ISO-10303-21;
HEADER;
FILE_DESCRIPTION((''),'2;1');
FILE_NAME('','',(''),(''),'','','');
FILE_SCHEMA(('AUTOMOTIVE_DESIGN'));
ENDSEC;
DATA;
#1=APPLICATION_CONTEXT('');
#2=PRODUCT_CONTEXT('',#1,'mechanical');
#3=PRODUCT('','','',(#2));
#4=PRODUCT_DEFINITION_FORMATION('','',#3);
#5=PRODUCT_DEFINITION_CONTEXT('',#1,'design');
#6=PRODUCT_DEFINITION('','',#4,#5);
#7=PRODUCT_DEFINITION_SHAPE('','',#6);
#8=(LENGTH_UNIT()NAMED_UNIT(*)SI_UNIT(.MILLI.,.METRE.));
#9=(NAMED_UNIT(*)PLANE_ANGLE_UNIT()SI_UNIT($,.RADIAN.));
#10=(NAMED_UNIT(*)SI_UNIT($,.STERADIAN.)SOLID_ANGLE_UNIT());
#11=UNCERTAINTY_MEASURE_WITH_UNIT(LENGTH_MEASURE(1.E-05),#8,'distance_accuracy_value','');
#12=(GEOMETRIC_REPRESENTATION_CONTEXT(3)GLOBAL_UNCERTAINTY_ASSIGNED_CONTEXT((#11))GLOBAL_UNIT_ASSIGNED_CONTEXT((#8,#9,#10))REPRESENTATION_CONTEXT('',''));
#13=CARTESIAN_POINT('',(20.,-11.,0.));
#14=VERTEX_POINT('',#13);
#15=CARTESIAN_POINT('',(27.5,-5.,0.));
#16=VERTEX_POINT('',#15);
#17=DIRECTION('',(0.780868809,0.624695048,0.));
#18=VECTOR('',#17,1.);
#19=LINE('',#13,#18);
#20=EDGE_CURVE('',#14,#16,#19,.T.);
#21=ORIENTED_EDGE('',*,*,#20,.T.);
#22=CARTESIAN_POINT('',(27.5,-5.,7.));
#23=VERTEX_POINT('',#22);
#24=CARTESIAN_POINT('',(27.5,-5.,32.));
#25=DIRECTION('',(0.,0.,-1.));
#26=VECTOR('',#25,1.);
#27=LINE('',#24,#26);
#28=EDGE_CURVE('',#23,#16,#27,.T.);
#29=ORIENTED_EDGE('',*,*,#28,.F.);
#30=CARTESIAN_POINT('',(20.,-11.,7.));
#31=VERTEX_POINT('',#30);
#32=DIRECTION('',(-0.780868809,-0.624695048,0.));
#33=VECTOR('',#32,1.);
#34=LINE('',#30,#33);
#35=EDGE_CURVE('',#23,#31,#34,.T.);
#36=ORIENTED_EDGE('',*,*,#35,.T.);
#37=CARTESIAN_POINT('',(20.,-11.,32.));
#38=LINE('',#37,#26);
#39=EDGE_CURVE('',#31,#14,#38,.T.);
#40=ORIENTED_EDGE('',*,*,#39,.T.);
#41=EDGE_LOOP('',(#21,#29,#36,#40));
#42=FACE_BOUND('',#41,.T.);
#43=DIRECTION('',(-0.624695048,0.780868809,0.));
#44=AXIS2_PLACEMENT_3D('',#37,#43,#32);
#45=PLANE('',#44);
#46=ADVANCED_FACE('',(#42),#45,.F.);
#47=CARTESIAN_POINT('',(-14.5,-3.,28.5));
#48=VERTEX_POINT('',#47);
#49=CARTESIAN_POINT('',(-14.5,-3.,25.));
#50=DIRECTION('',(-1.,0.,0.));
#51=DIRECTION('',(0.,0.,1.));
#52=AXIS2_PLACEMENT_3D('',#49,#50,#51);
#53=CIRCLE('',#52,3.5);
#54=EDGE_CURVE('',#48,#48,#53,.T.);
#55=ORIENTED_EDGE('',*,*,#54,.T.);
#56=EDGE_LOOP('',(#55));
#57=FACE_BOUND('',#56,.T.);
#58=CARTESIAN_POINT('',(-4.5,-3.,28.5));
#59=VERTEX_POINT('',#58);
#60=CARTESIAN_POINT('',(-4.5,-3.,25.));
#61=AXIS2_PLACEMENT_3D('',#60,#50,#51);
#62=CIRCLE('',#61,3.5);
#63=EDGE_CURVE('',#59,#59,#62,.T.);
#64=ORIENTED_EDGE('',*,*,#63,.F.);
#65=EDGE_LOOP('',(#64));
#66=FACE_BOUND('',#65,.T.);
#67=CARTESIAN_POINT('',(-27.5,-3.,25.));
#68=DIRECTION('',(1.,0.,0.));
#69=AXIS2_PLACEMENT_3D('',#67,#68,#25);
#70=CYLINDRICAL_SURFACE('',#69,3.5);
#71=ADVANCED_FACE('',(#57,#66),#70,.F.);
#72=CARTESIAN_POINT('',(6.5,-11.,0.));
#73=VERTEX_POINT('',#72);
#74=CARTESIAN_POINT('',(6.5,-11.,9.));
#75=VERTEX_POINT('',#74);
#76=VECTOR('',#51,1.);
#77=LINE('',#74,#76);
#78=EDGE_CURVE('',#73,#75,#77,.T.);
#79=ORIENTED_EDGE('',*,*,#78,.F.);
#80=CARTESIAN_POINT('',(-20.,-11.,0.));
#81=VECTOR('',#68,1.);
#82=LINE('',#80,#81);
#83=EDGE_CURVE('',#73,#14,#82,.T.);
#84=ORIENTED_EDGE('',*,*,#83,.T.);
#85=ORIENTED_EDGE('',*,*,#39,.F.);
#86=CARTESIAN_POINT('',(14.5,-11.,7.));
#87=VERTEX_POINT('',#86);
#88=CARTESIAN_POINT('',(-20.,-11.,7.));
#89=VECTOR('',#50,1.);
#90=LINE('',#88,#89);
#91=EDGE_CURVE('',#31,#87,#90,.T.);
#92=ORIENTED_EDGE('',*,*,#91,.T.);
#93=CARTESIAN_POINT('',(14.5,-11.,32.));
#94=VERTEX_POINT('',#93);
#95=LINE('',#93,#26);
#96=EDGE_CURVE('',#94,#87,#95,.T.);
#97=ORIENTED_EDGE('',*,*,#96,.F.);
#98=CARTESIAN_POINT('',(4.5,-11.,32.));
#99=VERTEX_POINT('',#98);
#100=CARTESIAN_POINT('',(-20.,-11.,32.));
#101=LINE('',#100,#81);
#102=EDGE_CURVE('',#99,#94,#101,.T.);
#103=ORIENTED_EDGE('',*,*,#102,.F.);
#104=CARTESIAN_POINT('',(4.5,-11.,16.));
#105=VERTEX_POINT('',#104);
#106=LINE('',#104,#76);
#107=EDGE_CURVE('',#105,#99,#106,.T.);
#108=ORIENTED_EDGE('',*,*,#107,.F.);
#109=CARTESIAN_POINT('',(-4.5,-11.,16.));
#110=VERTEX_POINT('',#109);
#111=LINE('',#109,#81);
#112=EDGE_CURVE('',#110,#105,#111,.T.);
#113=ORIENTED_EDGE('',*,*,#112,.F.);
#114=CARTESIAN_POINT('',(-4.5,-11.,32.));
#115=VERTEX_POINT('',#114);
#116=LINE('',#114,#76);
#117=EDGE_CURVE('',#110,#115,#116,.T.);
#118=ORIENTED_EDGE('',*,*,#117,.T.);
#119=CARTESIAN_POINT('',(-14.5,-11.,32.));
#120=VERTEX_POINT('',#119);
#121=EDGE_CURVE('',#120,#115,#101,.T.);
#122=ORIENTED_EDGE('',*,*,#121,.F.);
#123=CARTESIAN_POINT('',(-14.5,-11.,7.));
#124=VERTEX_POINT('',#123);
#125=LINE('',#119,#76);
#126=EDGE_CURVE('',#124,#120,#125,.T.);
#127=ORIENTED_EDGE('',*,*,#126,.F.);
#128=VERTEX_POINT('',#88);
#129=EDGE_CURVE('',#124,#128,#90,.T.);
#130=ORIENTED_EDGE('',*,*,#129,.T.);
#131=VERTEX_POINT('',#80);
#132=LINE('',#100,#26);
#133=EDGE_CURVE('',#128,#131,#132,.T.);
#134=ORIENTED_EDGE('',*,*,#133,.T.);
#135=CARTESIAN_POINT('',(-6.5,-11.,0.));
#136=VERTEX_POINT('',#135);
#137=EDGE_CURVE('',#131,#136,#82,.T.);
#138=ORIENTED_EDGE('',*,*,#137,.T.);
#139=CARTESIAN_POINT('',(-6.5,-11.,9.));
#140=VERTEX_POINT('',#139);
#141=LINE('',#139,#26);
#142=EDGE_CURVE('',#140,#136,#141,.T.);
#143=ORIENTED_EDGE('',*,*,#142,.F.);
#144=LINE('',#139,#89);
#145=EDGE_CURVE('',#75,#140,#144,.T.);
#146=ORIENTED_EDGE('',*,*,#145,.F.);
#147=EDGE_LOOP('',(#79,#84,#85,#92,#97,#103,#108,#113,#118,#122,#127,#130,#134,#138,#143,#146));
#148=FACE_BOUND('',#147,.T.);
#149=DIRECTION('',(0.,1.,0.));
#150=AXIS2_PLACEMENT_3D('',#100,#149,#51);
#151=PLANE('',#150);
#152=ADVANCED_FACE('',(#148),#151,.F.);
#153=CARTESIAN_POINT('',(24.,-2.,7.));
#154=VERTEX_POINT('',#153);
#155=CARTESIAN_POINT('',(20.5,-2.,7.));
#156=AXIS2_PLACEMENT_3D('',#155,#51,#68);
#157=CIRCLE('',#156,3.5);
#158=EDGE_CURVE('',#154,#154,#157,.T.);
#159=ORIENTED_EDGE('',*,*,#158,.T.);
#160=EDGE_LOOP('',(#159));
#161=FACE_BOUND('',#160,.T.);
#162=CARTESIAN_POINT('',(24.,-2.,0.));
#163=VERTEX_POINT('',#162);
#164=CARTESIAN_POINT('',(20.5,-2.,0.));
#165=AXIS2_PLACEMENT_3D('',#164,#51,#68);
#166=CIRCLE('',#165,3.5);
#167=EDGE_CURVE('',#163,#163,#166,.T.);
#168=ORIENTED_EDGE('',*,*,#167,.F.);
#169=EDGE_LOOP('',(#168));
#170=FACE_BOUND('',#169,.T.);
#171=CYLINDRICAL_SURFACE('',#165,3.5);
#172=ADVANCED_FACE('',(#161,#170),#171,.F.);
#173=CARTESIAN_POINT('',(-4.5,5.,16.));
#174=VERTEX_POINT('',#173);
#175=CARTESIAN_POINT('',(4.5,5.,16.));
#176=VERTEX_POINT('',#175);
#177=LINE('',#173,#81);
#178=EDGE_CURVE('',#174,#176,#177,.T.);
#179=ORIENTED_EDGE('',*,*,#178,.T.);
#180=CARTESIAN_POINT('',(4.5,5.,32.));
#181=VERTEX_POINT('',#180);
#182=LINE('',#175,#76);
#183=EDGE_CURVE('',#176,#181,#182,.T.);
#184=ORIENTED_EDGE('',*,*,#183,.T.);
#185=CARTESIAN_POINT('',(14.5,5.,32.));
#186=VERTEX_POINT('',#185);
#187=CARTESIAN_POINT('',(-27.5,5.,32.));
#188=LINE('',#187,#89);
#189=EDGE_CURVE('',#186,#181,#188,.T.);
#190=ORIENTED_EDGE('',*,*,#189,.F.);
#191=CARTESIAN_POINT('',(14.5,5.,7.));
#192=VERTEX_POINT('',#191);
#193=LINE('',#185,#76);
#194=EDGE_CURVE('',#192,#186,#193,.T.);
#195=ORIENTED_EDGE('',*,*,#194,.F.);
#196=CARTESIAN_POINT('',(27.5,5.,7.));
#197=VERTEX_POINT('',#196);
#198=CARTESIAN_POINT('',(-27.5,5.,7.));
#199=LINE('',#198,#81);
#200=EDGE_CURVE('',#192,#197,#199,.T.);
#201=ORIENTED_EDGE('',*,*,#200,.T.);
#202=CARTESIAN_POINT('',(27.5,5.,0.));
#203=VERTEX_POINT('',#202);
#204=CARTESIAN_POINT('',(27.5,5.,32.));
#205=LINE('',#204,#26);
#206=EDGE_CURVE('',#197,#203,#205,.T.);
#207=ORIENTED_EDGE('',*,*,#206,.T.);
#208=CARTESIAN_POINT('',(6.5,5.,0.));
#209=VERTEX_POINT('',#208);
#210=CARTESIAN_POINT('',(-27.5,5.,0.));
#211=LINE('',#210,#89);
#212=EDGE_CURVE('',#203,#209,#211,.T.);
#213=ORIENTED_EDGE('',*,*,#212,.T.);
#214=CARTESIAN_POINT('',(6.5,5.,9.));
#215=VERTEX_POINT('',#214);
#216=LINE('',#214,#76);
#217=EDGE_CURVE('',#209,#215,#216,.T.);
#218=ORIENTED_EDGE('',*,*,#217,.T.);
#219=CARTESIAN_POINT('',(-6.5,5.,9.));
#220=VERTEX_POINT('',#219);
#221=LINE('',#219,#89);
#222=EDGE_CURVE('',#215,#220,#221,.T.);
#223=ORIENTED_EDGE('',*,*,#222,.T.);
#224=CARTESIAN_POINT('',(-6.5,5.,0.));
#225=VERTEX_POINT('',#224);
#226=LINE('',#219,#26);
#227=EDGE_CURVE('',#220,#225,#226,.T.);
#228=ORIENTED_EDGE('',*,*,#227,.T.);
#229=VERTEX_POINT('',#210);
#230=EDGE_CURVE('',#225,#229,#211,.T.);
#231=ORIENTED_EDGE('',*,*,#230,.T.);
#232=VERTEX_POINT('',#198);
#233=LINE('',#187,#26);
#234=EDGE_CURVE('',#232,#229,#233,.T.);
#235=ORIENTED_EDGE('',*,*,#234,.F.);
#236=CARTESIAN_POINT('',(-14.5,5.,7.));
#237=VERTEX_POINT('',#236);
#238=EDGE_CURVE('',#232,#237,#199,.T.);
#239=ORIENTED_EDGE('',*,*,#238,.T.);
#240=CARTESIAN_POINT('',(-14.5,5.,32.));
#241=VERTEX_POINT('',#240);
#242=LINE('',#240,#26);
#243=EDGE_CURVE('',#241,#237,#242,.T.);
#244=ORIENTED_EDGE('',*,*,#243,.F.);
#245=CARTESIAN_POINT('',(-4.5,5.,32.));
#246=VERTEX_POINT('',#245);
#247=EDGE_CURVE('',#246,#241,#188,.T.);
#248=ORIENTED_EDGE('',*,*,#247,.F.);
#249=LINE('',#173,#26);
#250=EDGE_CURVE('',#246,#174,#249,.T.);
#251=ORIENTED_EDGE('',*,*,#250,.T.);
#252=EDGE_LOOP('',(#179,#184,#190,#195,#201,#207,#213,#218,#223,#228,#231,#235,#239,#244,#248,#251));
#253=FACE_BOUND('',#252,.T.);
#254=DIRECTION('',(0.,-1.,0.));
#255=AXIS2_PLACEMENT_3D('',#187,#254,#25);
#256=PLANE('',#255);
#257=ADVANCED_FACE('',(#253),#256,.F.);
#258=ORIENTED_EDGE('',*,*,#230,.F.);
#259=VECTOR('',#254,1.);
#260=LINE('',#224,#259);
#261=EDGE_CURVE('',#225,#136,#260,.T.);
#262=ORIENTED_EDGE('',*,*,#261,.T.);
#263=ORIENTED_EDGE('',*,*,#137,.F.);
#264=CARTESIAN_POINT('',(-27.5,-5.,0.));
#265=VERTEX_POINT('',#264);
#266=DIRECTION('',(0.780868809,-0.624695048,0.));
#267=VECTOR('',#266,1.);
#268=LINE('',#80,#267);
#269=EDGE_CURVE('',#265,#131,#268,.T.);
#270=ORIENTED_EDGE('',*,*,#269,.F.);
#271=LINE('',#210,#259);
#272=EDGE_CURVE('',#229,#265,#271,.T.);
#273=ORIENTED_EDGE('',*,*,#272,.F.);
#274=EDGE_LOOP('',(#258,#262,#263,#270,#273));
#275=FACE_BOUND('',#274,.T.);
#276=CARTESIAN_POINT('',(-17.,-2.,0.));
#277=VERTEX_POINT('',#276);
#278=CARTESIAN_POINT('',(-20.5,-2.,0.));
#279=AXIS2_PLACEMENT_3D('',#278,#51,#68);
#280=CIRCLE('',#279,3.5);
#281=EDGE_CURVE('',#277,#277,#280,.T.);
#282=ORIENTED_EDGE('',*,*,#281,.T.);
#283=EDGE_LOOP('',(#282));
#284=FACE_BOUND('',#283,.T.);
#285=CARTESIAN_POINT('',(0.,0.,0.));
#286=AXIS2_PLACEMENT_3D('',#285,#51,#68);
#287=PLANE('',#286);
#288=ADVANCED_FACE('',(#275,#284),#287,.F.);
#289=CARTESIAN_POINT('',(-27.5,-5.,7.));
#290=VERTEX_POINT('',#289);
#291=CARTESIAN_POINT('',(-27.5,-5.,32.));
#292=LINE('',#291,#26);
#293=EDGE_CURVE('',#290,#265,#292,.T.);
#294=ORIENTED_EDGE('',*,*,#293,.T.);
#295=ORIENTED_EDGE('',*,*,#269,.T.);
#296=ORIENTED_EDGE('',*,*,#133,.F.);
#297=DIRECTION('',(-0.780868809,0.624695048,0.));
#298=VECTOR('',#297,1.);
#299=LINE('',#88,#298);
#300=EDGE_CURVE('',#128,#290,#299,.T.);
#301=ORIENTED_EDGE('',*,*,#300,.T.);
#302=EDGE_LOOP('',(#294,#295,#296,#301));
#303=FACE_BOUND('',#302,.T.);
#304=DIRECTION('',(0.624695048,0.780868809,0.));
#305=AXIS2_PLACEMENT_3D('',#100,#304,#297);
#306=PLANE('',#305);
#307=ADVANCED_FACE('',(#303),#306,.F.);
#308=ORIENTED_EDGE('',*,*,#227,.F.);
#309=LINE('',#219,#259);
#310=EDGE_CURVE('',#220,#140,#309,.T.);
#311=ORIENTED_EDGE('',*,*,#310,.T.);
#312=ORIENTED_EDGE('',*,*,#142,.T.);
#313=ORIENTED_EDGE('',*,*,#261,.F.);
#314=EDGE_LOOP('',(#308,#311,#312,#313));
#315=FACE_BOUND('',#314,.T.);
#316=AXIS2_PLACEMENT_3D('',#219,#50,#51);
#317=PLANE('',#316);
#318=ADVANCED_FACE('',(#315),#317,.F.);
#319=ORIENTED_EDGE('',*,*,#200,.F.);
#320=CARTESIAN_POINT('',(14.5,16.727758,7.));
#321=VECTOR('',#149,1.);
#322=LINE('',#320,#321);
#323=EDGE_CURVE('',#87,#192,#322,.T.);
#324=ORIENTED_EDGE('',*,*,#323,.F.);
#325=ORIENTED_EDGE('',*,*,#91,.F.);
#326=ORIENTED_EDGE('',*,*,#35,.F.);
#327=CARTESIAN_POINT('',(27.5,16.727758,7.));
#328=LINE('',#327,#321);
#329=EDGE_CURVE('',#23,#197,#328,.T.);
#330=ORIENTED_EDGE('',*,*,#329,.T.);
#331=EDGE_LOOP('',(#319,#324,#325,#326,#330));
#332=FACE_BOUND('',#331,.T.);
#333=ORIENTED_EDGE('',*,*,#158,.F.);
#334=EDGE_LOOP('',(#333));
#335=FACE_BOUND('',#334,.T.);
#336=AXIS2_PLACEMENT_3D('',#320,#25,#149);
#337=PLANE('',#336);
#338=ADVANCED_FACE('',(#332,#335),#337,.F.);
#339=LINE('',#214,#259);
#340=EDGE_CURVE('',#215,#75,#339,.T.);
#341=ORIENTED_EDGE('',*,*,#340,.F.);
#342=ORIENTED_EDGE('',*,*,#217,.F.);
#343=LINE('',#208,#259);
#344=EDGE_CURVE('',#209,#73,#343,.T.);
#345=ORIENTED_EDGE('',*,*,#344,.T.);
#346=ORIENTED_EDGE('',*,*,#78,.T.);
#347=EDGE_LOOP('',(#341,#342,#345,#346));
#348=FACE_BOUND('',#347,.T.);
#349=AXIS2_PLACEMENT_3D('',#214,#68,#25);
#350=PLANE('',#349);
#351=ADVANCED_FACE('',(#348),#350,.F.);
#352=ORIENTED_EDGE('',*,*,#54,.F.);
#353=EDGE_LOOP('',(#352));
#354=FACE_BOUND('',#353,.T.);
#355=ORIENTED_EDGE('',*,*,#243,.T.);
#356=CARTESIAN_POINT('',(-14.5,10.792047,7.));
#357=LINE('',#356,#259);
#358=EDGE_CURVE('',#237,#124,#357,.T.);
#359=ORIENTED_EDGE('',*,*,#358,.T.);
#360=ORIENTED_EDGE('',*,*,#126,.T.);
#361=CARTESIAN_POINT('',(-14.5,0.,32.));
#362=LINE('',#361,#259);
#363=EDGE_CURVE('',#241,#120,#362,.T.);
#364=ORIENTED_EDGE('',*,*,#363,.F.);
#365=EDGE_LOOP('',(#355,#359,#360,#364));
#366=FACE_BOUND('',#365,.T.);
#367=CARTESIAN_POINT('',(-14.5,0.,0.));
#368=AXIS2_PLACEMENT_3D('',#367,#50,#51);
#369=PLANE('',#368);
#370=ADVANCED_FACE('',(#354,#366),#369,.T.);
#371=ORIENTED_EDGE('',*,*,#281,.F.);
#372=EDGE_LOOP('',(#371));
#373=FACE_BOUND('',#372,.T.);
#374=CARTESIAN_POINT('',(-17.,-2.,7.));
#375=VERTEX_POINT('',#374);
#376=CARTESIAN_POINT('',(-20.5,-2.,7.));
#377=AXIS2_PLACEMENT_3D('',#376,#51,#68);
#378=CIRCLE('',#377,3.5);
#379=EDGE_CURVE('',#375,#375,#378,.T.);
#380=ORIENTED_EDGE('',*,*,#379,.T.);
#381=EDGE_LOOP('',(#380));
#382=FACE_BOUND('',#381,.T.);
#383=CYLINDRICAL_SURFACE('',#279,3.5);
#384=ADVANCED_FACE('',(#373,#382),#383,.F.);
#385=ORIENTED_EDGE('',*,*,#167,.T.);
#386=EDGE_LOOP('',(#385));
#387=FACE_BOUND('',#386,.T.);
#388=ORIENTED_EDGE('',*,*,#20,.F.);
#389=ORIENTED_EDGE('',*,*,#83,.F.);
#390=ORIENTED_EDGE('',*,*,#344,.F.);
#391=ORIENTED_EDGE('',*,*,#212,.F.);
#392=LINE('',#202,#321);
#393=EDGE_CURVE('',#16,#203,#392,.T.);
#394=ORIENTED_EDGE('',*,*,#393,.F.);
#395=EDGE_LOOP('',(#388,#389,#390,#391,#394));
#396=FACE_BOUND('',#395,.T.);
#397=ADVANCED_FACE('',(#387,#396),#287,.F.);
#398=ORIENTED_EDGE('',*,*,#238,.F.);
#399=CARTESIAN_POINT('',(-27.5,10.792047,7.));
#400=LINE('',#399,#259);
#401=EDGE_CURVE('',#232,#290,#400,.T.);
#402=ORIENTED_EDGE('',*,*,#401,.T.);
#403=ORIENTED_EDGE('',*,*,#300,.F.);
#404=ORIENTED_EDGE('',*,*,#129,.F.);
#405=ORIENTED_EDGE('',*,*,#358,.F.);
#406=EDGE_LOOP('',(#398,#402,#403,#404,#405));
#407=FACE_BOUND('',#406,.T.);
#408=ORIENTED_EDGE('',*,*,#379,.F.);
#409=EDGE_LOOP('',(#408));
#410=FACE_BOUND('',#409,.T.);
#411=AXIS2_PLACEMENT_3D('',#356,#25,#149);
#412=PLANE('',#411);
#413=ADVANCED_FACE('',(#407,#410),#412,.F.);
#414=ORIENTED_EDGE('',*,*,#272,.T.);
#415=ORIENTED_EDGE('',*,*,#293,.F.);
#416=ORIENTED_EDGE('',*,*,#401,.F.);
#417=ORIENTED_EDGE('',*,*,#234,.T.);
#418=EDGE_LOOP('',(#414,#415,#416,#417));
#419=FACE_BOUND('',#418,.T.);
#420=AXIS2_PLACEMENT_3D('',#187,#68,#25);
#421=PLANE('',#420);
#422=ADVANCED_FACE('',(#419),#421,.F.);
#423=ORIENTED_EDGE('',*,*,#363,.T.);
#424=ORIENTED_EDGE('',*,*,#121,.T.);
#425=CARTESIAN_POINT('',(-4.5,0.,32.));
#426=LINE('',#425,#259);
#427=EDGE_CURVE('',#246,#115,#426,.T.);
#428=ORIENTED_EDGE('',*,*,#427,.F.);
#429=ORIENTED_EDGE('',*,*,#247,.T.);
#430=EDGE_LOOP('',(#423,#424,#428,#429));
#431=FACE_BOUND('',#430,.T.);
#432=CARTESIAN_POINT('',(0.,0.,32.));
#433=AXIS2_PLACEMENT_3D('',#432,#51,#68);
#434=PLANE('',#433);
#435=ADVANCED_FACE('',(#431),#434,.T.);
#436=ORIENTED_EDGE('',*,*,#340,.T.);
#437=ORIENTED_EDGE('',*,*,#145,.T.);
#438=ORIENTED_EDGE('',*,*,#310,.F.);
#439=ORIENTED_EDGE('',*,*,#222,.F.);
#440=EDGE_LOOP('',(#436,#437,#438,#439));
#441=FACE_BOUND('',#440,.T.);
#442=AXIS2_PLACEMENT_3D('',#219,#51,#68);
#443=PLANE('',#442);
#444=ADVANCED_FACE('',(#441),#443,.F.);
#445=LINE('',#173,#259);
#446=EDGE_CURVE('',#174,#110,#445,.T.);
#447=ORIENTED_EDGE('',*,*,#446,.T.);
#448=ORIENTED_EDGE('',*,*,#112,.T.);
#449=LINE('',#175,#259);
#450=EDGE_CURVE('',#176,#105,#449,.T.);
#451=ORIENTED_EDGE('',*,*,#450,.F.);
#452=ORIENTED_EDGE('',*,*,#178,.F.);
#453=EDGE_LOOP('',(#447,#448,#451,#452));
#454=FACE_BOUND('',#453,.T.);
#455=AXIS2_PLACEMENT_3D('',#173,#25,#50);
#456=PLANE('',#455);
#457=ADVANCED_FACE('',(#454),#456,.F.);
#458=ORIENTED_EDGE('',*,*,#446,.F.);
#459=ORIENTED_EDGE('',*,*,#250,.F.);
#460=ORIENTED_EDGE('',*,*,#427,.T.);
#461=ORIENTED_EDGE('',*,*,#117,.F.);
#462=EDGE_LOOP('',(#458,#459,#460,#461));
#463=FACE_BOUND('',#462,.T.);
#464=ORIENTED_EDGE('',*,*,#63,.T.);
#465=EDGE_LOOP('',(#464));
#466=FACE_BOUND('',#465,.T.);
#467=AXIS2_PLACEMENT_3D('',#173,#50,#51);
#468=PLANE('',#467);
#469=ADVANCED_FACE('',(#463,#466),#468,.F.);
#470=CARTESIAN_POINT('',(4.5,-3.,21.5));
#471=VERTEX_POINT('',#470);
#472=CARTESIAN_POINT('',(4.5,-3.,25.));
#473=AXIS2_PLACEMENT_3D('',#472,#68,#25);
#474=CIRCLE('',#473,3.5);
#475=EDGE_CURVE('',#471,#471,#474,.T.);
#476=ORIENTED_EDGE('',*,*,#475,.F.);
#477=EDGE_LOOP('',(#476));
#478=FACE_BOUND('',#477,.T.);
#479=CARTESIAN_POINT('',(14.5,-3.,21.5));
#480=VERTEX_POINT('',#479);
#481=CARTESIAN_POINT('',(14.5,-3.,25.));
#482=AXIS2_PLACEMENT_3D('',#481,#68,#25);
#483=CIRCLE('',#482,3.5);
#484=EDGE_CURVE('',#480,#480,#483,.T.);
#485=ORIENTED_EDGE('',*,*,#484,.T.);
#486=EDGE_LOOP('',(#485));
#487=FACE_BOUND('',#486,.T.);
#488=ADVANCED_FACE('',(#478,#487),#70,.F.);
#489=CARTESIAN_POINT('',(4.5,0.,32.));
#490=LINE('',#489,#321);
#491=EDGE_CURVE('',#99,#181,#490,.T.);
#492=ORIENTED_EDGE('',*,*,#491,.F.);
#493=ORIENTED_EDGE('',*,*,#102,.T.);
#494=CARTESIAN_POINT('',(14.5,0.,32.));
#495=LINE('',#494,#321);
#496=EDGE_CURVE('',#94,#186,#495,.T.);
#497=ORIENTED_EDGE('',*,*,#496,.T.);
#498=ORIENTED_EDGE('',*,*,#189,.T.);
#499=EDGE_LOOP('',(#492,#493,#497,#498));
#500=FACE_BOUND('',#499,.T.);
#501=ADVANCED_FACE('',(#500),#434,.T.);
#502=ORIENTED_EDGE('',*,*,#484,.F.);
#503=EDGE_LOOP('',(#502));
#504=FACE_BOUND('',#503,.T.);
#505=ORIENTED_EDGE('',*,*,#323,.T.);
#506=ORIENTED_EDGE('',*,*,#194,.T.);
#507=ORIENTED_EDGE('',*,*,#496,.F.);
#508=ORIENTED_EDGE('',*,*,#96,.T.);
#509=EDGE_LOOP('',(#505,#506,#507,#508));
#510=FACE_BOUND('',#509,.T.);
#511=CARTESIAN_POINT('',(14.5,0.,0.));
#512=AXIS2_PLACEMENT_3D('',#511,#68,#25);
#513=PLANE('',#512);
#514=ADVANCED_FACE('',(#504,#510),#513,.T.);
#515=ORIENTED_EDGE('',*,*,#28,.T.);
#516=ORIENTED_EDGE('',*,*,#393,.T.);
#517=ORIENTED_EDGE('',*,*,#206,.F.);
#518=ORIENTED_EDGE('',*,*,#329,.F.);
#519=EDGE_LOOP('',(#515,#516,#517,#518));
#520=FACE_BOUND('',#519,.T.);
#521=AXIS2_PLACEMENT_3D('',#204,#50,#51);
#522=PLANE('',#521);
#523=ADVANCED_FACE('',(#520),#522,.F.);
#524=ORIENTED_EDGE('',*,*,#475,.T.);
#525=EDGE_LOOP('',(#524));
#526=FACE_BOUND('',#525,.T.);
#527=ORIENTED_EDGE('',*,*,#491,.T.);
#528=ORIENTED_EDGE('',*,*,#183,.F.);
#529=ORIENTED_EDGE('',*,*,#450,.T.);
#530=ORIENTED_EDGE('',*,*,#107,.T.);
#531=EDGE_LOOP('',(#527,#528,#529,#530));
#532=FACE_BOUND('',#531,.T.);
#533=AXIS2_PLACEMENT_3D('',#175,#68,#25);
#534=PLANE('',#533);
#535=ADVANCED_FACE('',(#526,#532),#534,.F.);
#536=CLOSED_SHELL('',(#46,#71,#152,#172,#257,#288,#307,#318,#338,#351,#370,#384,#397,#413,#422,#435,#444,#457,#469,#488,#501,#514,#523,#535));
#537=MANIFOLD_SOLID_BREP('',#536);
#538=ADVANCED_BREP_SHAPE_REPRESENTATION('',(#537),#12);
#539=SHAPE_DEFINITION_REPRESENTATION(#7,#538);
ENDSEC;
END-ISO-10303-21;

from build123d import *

# Parameters (mm, degrees)
SALIENTE_EXTRUIR1_DEPTH = 32
CROQUIS3_W              = 28.149246734
CROQUIS3_H              = 33.455515618
CORTAR_EXTRUIR1_DEPTH   = 13
CROQUIS4_W              = 32.272758708
CROQUIS4_H              = 29.27783323
CORTAR_EXTRUIR2_DEPTH   = 13
CROQUIS5_W              = 13
CROQUIS5_H              = 9
CORTAR_EXTRUIR3_DEPTH   = 17
CROQUIS6_W              = 9
CROQUIS6_H              = 23
CORTAR_EXTRUIR4_DEPTH   = 17
CROQUIS7_R              = 3.5
CORTAR_EXTRUIR5_DEPTH   = 43
CROQUIS9_R              = 3.5
CORTAR_EXTRUIR6_DEPTH   = 8


with BuildPart() as part:
    # Croquis1 → Saliente-Extruir1 (new body)
    with BuildSketch(Plane.XY):
        Polygon((-20, -11), (-27.5, -5), (-27.5, 5), (27.5, 5), (27.5, -5), (20, -11), align=None)
    extrude(amount=SALIENTE_EXTRUIR1_DEPTH)

    # Croquis3 → Cortar-Extruir1 (cut)
    with BuildSketch(Plane(origin=(27.5, 0, 0), x_dir=(0, 0, -1), z_dir=(1, 0, 0))):
        with Locations((-21.074623367, 0)):
            Rectangle(CROQUIS3_W, CROQUIS3_H)
    extrude(amount=-CORTAR_EXTRUIR1_DEPTH, mode=Mode.SUBTRACT)

    # Croquis4 → Cortar-Extruir2 (cut)
    with BuildSketch(Plane.ZY.offset(27.5)):
        with Locations((23.136379354, -3.846869201)):
            Rectangle(CROQUIS4_W, CROQUIS4_H)
    extrude(amount=-CORTAR_EXTRUIR2_DEPTH, mode=Mode.SUBTRACT)

    # Croquis5 → Cortar-Extruir3 (cut, through all)
    with BuildSketch(Plane.XZ.offset(11)):
        with Locations((0, 4.5)):
            Rectangle(CROQUIS5_W, CROQUIS5_H)
    extrude(amount=-CORTAR_EXTRUIR3_DEPTH, mode=Mode.SUBTRACT)

    # Croquis6 → Cortar-Extruir4 (cut, through all)
    with BuildSketch(Plane.XZ.offset(11)):
        with Locations((0, 27.5)):
            Rectangle(CROQUIS6_W, CROQUIS6_H)
    extrude(amount=-CORTAR_EXTRUIR4_DEPTH, mode=Mode.SUBTRACT)

    # Croquis7 → Cortar-Extruir5 (cut, through all)
    with BuildSketch(Plane(origin=(14.5, 0, 0), x_dir=(0, 0, -1), z_dir=(1, 0, 0))):
        with Locations((-25, -3)):
            Circle(CROQUIS7_R)
    extrude(amount=-CORTAR_EXTRUIR5_DEPTH, mode=Mode.SUBTRACT)

    # Croquis9 → Cortar-Extruir6 (cut, through all)
    with BuildSketch(Plane.XY.offset(7)):
        with Locations((20.5, -2)):
            Circle(CROQUIS9_R)
        with Locations((-20.5, -2)):
            Circle(CROQUIS9_R)
    extrude(amount=-CORTAR_EXTRUIR6_DEPTH, mode=Mode.SUBTRACT)


solid = part.part
